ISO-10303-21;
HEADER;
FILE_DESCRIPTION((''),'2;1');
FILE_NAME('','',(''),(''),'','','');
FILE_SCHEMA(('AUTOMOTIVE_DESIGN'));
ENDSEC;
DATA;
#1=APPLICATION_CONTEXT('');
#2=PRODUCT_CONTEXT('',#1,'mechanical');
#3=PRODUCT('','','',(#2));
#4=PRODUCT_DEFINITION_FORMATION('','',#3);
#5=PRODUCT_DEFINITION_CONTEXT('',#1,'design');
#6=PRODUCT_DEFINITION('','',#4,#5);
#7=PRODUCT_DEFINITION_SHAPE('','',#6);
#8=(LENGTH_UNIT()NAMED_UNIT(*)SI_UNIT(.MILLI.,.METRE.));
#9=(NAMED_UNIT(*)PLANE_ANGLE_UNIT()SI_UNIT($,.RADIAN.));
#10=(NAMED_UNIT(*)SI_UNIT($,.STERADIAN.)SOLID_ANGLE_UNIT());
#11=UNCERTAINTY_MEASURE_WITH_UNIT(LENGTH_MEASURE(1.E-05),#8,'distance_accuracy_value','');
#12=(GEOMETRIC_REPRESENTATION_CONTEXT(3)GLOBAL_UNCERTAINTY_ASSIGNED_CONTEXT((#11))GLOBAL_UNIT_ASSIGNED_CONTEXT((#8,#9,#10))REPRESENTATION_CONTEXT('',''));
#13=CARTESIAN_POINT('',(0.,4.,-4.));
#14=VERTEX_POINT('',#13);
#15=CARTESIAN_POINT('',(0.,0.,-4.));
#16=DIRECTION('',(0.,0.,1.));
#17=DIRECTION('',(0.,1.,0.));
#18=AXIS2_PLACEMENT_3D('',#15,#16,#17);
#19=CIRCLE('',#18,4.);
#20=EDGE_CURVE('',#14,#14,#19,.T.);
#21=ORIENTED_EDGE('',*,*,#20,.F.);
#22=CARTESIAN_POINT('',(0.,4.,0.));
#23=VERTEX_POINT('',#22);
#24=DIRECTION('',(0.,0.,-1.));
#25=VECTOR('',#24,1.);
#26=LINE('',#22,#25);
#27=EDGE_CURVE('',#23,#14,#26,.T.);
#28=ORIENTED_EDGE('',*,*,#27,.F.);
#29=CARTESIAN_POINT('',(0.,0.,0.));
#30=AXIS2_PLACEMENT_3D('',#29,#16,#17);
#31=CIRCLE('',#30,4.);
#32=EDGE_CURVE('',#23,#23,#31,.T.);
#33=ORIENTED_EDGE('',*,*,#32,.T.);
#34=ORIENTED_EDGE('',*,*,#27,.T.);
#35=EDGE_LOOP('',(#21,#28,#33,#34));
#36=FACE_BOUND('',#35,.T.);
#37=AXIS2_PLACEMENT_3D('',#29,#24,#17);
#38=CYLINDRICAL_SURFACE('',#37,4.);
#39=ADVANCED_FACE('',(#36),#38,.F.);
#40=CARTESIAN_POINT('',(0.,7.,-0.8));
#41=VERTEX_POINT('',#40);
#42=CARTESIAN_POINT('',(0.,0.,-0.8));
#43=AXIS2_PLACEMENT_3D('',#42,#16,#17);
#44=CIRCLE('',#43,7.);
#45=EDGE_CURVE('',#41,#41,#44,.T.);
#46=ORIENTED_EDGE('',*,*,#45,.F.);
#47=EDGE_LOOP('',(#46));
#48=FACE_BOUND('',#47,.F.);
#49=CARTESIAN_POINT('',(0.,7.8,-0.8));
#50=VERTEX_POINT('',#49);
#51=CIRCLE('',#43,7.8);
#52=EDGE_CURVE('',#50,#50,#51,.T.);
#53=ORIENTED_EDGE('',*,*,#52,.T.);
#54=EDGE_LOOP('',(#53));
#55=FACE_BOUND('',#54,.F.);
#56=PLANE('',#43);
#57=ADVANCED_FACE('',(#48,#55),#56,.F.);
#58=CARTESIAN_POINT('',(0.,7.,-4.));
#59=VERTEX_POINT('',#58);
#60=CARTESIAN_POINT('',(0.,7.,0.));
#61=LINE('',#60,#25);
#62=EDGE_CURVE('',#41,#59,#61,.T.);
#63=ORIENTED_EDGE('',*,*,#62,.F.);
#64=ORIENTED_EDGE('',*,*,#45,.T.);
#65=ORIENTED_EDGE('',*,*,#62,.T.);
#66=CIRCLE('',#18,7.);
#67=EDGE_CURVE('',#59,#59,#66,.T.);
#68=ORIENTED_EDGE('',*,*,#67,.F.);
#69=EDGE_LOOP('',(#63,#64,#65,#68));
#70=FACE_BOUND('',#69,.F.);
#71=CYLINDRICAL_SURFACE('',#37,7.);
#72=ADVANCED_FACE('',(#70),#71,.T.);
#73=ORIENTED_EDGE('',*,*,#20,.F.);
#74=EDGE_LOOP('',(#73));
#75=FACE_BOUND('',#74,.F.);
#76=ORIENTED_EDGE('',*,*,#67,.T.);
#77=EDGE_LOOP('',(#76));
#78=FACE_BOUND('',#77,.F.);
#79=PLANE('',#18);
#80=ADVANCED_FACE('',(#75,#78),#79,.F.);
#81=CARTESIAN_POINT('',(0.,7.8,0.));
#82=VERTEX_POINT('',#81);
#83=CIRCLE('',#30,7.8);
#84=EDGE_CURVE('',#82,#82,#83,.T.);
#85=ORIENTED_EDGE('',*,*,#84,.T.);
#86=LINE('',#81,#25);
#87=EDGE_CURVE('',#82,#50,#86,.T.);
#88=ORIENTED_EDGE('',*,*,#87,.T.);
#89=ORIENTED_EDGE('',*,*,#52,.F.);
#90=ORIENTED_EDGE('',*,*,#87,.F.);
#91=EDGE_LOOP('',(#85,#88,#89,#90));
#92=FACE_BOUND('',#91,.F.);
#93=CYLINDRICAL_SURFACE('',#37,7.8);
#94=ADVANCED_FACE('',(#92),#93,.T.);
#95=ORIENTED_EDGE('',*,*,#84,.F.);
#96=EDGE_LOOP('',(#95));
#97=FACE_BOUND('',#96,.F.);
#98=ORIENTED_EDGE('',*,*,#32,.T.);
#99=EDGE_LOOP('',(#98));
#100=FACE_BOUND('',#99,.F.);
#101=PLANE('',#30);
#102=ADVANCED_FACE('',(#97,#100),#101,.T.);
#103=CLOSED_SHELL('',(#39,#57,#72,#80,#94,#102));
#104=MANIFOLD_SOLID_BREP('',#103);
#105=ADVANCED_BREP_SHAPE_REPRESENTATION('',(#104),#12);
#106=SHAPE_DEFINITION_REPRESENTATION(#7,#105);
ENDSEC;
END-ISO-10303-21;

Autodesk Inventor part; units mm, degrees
ref_plane "YZ Plane" through (0, 0, 0) normal (1, 0, 0) x (0, 1, 0)
ref_plane "XZ Plane" through (0, 0, 0) normal (0, 1, 0) x (-1, 0, 0)
ref_plane "XY Plane" through (0, 0, 0) normal (0, 0, 1) x (1, 0, 0)
sketch "スケッチ1" plane through (0, 0, 0) normal (1, 0, 0) x (0, 1, 0)
  line L0 (0, 0) -> (4, 0)
  line L1 (4, 0) -> (4, -4)
  line L2 (4, -4) -> (0, -4)
  line L3 (0, -4) -> (0, 0)
  line L4 (0, 0) -> (7, 0)
  line L5 (7, 0) -> (7, -4)
  line L6 (7, -4) -> (0, -4)
  line L7 (0, -4) -> (0, 0)
  line L8 (7, 0) -> (7.8, 0)
  line L9 (7.8, 0) -> (7.8, -0.8)
  line L10 (7.8, -0.8) -> (7, -0.8)
  line L11 (7, -0.8) -> (7, 0)
  dimension "d0" = 4
  dimension "d1" = 4
  dimension "d2" = 7
  dimension "d3" = 0.8
  dimension "d4" = 0.8
revolve "回転1" add sketch "スケッチ1" angle 360 about axis through (0, 0, -4) along (0, 0, 1) contours L4 L5 L6 L1 | L8 L9 L10 L5
properties part number "SMF148ZZ" material "鋼、炭素鋼"
